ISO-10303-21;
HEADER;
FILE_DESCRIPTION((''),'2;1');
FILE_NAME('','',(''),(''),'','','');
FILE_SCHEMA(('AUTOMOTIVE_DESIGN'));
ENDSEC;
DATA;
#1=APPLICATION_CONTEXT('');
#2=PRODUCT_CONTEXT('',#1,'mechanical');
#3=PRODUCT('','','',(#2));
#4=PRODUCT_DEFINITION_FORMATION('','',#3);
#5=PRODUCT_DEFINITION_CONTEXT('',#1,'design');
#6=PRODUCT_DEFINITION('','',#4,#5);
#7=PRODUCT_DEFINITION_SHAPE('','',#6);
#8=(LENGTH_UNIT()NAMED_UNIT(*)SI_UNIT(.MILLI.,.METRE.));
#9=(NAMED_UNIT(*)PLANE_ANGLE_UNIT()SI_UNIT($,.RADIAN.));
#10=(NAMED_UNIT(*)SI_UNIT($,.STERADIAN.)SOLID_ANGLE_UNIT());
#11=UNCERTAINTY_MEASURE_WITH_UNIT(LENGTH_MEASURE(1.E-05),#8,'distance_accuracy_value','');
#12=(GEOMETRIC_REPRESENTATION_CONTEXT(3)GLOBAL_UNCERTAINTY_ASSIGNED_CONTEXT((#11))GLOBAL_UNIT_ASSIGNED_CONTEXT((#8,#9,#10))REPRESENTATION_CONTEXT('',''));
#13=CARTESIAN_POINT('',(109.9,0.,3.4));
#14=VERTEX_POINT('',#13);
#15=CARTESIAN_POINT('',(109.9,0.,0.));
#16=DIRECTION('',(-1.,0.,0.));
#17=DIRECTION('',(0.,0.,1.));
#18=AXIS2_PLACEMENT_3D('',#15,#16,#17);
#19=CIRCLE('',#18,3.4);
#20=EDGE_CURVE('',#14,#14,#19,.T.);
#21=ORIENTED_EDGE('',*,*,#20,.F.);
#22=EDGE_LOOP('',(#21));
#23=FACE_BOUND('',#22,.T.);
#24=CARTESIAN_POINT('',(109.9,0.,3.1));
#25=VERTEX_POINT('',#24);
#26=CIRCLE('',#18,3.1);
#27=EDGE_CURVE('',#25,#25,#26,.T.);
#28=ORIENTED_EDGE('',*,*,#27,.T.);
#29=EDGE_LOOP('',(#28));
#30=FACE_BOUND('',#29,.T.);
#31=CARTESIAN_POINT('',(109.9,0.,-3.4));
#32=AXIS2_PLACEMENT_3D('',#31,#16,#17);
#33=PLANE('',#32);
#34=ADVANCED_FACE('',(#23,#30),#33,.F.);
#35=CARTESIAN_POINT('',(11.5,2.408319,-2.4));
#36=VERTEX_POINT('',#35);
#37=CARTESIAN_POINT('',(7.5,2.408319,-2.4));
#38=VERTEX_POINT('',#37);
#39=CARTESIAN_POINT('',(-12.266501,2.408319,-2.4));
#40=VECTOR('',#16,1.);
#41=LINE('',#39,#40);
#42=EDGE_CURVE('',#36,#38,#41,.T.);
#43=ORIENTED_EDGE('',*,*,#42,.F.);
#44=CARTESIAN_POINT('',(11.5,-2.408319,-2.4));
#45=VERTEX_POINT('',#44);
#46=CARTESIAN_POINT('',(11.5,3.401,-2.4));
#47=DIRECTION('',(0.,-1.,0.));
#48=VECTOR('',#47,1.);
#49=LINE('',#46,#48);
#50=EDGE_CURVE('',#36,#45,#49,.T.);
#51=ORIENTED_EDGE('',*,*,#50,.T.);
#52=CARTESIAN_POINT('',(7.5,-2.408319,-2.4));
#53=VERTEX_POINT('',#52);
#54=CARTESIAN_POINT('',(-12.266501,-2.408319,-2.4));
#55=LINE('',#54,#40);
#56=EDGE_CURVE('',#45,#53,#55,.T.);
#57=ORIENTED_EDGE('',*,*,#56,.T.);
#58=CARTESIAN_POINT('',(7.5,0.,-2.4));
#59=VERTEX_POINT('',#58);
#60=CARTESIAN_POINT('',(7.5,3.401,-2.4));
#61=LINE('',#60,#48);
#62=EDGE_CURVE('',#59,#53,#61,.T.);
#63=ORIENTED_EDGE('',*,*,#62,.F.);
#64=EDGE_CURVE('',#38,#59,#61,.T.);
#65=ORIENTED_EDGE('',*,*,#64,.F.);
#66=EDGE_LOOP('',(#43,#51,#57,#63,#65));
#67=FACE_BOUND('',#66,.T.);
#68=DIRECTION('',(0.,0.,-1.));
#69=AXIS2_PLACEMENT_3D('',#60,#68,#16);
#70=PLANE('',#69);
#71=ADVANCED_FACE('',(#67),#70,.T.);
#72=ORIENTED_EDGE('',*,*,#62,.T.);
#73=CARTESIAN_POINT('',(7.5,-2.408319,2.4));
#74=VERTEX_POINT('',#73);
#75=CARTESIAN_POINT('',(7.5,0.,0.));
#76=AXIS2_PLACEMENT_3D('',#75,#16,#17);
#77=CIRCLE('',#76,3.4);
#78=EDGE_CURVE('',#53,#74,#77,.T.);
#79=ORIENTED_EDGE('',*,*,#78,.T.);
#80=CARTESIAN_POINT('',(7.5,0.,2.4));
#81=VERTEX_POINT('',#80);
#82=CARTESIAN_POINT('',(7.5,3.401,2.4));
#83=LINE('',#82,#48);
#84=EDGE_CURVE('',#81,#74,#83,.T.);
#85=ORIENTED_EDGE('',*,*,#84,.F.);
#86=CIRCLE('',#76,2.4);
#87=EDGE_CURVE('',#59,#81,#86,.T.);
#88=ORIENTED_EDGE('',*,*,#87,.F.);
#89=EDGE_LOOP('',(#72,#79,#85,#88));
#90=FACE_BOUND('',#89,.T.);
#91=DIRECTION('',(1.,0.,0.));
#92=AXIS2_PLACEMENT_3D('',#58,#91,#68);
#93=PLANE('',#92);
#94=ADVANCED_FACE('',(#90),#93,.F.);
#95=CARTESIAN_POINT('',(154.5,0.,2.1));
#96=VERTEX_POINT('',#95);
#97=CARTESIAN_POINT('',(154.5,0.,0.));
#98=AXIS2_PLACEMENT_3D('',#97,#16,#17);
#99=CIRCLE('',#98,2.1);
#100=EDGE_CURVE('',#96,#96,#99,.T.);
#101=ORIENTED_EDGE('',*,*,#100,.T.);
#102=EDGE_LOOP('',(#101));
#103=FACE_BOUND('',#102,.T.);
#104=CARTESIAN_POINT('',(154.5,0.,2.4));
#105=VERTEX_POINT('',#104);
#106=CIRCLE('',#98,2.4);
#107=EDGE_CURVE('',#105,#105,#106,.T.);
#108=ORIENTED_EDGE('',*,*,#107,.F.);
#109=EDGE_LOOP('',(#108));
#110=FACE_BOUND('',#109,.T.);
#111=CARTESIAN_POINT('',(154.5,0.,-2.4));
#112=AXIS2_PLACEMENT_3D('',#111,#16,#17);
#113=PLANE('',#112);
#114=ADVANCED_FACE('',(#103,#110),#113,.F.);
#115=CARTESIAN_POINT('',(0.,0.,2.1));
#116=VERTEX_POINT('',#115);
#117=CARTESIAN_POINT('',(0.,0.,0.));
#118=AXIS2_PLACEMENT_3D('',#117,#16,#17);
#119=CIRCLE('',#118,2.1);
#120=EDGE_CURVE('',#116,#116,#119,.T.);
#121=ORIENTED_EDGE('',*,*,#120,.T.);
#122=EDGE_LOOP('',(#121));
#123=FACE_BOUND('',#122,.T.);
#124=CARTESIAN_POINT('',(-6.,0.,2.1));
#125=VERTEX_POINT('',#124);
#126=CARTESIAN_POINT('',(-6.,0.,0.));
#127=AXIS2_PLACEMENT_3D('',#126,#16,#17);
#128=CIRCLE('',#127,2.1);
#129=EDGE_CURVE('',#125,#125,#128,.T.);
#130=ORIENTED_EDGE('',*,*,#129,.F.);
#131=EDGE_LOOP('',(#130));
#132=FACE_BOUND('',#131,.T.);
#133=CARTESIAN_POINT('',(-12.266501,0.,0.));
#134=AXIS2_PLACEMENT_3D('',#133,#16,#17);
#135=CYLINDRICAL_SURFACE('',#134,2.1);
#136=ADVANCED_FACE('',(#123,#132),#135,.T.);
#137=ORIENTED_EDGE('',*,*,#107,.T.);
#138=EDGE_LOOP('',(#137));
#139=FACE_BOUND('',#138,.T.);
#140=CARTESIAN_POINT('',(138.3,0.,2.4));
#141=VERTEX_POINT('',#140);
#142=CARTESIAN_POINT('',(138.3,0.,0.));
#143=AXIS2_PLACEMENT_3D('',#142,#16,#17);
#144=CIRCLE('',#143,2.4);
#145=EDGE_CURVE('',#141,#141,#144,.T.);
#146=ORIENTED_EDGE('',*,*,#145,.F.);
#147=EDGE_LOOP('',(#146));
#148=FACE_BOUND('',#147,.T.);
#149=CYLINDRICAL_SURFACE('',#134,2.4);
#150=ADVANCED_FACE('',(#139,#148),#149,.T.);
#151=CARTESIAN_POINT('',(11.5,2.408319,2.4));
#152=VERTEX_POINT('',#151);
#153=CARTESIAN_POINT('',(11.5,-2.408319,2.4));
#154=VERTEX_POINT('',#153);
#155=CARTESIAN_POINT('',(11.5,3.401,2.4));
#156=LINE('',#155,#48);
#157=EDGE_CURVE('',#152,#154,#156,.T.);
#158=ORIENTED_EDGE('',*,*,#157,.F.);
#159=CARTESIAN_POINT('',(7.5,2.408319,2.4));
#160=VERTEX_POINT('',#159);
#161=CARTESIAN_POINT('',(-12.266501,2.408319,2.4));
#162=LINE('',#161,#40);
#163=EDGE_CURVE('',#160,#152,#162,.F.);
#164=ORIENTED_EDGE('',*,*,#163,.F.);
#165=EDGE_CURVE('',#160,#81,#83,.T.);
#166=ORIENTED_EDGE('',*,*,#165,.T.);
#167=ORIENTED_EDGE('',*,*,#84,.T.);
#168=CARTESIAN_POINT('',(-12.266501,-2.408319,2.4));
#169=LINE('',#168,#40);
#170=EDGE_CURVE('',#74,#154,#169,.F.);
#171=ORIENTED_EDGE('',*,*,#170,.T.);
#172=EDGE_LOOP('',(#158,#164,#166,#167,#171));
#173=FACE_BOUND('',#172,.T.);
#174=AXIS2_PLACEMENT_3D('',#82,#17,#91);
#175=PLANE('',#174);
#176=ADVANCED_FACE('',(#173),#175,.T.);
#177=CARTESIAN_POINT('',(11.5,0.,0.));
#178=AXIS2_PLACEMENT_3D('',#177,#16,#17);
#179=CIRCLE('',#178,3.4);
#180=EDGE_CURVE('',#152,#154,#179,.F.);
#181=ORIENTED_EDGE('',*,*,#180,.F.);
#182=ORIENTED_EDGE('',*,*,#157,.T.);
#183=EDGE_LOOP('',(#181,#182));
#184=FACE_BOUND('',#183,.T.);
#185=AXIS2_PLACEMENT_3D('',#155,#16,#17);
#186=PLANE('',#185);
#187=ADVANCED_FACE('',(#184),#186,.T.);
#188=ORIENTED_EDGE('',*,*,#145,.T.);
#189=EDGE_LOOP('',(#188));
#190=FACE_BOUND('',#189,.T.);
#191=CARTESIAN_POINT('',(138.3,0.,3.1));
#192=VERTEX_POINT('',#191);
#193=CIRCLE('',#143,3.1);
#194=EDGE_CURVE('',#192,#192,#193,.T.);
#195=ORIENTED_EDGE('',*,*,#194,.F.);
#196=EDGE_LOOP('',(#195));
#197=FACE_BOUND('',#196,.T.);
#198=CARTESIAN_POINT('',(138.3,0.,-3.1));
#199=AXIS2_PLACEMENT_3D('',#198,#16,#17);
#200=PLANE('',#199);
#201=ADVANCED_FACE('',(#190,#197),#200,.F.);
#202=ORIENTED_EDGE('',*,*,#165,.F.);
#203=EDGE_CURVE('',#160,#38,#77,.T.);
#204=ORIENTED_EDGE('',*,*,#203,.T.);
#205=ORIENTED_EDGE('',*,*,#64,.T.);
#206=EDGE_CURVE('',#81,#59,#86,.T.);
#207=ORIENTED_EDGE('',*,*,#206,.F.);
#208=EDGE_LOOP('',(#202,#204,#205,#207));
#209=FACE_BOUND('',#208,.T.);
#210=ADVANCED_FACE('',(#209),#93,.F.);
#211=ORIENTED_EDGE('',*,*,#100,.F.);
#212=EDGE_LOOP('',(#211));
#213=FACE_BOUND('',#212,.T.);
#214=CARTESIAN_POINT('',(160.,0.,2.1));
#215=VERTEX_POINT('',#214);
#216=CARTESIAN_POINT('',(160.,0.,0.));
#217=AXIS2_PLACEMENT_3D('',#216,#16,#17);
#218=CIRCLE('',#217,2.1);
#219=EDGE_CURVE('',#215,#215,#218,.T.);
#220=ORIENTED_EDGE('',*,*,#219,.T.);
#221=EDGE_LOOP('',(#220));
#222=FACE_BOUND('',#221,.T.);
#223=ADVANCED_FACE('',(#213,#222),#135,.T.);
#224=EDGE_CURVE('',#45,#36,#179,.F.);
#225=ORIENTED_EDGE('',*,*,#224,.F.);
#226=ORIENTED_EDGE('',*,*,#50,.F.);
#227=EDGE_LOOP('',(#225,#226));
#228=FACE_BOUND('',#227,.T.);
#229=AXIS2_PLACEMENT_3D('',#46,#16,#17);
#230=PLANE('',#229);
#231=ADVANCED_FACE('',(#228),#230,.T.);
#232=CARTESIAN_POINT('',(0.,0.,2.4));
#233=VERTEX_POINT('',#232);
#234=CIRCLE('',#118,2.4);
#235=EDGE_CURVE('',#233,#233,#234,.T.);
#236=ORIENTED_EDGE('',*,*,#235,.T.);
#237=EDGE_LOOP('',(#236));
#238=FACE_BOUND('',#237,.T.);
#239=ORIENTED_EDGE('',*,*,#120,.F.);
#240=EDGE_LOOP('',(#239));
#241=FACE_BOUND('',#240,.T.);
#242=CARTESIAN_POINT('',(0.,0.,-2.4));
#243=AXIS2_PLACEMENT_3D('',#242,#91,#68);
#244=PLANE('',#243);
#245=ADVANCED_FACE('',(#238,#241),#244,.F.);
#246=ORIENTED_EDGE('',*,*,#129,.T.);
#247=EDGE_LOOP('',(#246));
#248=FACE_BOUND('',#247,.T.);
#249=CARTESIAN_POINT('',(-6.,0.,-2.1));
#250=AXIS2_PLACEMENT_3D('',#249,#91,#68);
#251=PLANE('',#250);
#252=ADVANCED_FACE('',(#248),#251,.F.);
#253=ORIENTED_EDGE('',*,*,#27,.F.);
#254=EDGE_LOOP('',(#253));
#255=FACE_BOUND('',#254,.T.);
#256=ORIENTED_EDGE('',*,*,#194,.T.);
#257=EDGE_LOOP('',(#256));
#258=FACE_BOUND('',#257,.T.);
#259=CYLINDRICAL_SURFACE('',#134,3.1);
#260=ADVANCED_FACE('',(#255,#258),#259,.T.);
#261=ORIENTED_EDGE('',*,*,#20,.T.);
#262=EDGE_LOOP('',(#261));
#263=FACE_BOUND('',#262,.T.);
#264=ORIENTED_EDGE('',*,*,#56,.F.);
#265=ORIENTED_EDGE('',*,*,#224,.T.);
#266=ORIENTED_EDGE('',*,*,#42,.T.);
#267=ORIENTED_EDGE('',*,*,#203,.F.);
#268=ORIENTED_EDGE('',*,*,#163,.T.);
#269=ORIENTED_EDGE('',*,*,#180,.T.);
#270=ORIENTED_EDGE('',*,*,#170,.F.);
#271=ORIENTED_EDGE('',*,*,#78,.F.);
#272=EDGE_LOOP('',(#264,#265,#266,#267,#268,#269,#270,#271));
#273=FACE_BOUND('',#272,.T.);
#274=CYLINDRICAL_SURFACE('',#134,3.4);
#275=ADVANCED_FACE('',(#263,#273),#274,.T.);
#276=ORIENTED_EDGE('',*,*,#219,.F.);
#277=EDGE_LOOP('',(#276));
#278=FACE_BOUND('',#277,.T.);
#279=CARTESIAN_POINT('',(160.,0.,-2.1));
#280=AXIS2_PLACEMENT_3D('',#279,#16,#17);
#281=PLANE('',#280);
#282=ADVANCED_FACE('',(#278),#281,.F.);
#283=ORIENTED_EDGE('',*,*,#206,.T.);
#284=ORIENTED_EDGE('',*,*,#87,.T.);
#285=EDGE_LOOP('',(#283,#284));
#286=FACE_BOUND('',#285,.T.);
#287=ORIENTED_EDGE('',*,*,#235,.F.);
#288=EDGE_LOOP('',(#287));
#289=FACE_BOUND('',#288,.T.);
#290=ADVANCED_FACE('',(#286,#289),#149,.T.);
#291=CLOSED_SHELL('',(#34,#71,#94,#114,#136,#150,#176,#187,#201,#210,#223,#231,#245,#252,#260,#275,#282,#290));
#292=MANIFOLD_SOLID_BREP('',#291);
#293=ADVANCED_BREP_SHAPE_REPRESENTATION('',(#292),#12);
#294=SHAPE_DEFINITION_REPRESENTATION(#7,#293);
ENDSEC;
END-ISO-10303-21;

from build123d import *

# Parameters (mm, degrees)
CUT_EXTRUDE1_REACH             = 162.072
SKETCH2_W                      = 4
SKETCH2_H                      = 1
CUT_EXTRUDE1_DIRECTION_2_REACH = 162.072


with BuildPart() as part:
    # Sketch1 → Revolve1 (revolve)
    with BuildSketch(Plane(origin=(0, 0, 0), x_dir=(1, 0, 0), z_dir=(0, 1, 0)), mode=Mode.PRIVATE) as revolve1_sk:
        Polygon((0, 2.4), (0, 2.1), (-6, 2.1), (-6, 0), (160, 0), (160, 2.1), (154.5, 2.1), (154.5, 2.4), (138.3, 2.4), (138.3, 3.1), (109.9, 3.1), (109.9, 3.4), (7.5, 3.4), (7.5, 2.4), align=None)
    revolve(revolve1_sk.sketch.rotate(Axis((-12.266501292, 0, 0), (1, 0, 0)), 180), axis=Axis((-12.266501292, 0, 0), (1, 0, 0)))

    # Sketch2 → Cut-Extrude1 (cut, up to next)
    with BuildSketch(Plane(origin=(0, 0, 0), x_dir=(1, 0, 0), z_dir=(0, 1, 0)), mode=Mode.PRIVATE) as cut_extrude1_sk1:
        with Locations((9.5, 2.9)):
            Rectangle(SKETCH2_W, SKETCH2_H)
    cut_extrude1_tool1 = extrude(cut_extrude1_sk1.sketch, amount=-CUT_EXTRUDE1_REACH, mode=Mode.PRIVATE) & part.part
    # Sketch2 → Cut-Extrude1 (cut, up to next)
    with BuildSketch(Plane(origin=(0, 0, 0), x_dir=(1, 0, 0), z_dir=(0, 1, 0)), mode=Mode.PRIVATE) as cut_extrude1_sk2:
        with Locations((9.5, -2.9)):
            Rectangle(SKETCH2_W, SKETCH2_H)
    cut_extrude1_tool2 = extrude(cut_extrude1_sk2.sketch, amount=-CUT_EXTRUDE1_REACH, mode=Mode.PRIVATE) & part.part
    add(cut_extrude1_tool1.solids().sort_by_distance((9.5, 0, -2.9))[0], mode=Mode.SUBTRACT)
    add(cut_extrude1_tool2.solids().sort_by_distance((9.5, 0, 2.9))[0], mode=Mode.SUBTRACT)

    # Sketch2 → Cut-Extrude1 direction 2 (cut, up to next)
    with BuildSketch(Plane(origin=(0, 0, 0), x_dir=(1, 0, 0), z_dir=(0, 1, 0)), mode=Mode.PRIVATE) as cut_extrude1_direction_2_sk1:
        with Locations((9.5, 2.9)):
            Rectangle(SKETCH2_W, SKETCH2_H)
    cut_extrude1_direction_2_tool1 = extrude(cut_extrude1_direction_2_sk1.sketch, amount=CUT_EXTRUDE1_DIRECTION_2_REACH, mode=Mode.PRIVATE) & part.part
    # Sketch2 → Cut-Extrude1 direction 2 (cut, up to next)
    with BuildSketch(Plane(origin=(0, 0, 0), x_dir=(1, 0, 0), z_dir=(0, 1, 0)), mode=Mode.PRIVATE) as cut_extrude1_direction_2_sk2:
        with Locations((9.5, -2.9)):
            Rectangle(SKETCH2_W, SKETCH2_H)
    cut_extrude1_direction_2_tool2 = extrude(cut_extrude1_direction_2_sk2.sketch, amount=CUT_EXTRUDE1_DIRECTION_2_REACH, mode=Mode.PRIVATE) & part.part
    add(cut_extrude1_direction_2_tool1.solids().sort_by_distance((9.5, 0, -2.9))[0], mode=Mode.SUBTRACT)
    add(cut_extrude1_direction_2_tool2.solids().sort_by_distance((9.5, 0, 2.9))[0], mode=Mode.SUBTRACT)


solid = part.part
